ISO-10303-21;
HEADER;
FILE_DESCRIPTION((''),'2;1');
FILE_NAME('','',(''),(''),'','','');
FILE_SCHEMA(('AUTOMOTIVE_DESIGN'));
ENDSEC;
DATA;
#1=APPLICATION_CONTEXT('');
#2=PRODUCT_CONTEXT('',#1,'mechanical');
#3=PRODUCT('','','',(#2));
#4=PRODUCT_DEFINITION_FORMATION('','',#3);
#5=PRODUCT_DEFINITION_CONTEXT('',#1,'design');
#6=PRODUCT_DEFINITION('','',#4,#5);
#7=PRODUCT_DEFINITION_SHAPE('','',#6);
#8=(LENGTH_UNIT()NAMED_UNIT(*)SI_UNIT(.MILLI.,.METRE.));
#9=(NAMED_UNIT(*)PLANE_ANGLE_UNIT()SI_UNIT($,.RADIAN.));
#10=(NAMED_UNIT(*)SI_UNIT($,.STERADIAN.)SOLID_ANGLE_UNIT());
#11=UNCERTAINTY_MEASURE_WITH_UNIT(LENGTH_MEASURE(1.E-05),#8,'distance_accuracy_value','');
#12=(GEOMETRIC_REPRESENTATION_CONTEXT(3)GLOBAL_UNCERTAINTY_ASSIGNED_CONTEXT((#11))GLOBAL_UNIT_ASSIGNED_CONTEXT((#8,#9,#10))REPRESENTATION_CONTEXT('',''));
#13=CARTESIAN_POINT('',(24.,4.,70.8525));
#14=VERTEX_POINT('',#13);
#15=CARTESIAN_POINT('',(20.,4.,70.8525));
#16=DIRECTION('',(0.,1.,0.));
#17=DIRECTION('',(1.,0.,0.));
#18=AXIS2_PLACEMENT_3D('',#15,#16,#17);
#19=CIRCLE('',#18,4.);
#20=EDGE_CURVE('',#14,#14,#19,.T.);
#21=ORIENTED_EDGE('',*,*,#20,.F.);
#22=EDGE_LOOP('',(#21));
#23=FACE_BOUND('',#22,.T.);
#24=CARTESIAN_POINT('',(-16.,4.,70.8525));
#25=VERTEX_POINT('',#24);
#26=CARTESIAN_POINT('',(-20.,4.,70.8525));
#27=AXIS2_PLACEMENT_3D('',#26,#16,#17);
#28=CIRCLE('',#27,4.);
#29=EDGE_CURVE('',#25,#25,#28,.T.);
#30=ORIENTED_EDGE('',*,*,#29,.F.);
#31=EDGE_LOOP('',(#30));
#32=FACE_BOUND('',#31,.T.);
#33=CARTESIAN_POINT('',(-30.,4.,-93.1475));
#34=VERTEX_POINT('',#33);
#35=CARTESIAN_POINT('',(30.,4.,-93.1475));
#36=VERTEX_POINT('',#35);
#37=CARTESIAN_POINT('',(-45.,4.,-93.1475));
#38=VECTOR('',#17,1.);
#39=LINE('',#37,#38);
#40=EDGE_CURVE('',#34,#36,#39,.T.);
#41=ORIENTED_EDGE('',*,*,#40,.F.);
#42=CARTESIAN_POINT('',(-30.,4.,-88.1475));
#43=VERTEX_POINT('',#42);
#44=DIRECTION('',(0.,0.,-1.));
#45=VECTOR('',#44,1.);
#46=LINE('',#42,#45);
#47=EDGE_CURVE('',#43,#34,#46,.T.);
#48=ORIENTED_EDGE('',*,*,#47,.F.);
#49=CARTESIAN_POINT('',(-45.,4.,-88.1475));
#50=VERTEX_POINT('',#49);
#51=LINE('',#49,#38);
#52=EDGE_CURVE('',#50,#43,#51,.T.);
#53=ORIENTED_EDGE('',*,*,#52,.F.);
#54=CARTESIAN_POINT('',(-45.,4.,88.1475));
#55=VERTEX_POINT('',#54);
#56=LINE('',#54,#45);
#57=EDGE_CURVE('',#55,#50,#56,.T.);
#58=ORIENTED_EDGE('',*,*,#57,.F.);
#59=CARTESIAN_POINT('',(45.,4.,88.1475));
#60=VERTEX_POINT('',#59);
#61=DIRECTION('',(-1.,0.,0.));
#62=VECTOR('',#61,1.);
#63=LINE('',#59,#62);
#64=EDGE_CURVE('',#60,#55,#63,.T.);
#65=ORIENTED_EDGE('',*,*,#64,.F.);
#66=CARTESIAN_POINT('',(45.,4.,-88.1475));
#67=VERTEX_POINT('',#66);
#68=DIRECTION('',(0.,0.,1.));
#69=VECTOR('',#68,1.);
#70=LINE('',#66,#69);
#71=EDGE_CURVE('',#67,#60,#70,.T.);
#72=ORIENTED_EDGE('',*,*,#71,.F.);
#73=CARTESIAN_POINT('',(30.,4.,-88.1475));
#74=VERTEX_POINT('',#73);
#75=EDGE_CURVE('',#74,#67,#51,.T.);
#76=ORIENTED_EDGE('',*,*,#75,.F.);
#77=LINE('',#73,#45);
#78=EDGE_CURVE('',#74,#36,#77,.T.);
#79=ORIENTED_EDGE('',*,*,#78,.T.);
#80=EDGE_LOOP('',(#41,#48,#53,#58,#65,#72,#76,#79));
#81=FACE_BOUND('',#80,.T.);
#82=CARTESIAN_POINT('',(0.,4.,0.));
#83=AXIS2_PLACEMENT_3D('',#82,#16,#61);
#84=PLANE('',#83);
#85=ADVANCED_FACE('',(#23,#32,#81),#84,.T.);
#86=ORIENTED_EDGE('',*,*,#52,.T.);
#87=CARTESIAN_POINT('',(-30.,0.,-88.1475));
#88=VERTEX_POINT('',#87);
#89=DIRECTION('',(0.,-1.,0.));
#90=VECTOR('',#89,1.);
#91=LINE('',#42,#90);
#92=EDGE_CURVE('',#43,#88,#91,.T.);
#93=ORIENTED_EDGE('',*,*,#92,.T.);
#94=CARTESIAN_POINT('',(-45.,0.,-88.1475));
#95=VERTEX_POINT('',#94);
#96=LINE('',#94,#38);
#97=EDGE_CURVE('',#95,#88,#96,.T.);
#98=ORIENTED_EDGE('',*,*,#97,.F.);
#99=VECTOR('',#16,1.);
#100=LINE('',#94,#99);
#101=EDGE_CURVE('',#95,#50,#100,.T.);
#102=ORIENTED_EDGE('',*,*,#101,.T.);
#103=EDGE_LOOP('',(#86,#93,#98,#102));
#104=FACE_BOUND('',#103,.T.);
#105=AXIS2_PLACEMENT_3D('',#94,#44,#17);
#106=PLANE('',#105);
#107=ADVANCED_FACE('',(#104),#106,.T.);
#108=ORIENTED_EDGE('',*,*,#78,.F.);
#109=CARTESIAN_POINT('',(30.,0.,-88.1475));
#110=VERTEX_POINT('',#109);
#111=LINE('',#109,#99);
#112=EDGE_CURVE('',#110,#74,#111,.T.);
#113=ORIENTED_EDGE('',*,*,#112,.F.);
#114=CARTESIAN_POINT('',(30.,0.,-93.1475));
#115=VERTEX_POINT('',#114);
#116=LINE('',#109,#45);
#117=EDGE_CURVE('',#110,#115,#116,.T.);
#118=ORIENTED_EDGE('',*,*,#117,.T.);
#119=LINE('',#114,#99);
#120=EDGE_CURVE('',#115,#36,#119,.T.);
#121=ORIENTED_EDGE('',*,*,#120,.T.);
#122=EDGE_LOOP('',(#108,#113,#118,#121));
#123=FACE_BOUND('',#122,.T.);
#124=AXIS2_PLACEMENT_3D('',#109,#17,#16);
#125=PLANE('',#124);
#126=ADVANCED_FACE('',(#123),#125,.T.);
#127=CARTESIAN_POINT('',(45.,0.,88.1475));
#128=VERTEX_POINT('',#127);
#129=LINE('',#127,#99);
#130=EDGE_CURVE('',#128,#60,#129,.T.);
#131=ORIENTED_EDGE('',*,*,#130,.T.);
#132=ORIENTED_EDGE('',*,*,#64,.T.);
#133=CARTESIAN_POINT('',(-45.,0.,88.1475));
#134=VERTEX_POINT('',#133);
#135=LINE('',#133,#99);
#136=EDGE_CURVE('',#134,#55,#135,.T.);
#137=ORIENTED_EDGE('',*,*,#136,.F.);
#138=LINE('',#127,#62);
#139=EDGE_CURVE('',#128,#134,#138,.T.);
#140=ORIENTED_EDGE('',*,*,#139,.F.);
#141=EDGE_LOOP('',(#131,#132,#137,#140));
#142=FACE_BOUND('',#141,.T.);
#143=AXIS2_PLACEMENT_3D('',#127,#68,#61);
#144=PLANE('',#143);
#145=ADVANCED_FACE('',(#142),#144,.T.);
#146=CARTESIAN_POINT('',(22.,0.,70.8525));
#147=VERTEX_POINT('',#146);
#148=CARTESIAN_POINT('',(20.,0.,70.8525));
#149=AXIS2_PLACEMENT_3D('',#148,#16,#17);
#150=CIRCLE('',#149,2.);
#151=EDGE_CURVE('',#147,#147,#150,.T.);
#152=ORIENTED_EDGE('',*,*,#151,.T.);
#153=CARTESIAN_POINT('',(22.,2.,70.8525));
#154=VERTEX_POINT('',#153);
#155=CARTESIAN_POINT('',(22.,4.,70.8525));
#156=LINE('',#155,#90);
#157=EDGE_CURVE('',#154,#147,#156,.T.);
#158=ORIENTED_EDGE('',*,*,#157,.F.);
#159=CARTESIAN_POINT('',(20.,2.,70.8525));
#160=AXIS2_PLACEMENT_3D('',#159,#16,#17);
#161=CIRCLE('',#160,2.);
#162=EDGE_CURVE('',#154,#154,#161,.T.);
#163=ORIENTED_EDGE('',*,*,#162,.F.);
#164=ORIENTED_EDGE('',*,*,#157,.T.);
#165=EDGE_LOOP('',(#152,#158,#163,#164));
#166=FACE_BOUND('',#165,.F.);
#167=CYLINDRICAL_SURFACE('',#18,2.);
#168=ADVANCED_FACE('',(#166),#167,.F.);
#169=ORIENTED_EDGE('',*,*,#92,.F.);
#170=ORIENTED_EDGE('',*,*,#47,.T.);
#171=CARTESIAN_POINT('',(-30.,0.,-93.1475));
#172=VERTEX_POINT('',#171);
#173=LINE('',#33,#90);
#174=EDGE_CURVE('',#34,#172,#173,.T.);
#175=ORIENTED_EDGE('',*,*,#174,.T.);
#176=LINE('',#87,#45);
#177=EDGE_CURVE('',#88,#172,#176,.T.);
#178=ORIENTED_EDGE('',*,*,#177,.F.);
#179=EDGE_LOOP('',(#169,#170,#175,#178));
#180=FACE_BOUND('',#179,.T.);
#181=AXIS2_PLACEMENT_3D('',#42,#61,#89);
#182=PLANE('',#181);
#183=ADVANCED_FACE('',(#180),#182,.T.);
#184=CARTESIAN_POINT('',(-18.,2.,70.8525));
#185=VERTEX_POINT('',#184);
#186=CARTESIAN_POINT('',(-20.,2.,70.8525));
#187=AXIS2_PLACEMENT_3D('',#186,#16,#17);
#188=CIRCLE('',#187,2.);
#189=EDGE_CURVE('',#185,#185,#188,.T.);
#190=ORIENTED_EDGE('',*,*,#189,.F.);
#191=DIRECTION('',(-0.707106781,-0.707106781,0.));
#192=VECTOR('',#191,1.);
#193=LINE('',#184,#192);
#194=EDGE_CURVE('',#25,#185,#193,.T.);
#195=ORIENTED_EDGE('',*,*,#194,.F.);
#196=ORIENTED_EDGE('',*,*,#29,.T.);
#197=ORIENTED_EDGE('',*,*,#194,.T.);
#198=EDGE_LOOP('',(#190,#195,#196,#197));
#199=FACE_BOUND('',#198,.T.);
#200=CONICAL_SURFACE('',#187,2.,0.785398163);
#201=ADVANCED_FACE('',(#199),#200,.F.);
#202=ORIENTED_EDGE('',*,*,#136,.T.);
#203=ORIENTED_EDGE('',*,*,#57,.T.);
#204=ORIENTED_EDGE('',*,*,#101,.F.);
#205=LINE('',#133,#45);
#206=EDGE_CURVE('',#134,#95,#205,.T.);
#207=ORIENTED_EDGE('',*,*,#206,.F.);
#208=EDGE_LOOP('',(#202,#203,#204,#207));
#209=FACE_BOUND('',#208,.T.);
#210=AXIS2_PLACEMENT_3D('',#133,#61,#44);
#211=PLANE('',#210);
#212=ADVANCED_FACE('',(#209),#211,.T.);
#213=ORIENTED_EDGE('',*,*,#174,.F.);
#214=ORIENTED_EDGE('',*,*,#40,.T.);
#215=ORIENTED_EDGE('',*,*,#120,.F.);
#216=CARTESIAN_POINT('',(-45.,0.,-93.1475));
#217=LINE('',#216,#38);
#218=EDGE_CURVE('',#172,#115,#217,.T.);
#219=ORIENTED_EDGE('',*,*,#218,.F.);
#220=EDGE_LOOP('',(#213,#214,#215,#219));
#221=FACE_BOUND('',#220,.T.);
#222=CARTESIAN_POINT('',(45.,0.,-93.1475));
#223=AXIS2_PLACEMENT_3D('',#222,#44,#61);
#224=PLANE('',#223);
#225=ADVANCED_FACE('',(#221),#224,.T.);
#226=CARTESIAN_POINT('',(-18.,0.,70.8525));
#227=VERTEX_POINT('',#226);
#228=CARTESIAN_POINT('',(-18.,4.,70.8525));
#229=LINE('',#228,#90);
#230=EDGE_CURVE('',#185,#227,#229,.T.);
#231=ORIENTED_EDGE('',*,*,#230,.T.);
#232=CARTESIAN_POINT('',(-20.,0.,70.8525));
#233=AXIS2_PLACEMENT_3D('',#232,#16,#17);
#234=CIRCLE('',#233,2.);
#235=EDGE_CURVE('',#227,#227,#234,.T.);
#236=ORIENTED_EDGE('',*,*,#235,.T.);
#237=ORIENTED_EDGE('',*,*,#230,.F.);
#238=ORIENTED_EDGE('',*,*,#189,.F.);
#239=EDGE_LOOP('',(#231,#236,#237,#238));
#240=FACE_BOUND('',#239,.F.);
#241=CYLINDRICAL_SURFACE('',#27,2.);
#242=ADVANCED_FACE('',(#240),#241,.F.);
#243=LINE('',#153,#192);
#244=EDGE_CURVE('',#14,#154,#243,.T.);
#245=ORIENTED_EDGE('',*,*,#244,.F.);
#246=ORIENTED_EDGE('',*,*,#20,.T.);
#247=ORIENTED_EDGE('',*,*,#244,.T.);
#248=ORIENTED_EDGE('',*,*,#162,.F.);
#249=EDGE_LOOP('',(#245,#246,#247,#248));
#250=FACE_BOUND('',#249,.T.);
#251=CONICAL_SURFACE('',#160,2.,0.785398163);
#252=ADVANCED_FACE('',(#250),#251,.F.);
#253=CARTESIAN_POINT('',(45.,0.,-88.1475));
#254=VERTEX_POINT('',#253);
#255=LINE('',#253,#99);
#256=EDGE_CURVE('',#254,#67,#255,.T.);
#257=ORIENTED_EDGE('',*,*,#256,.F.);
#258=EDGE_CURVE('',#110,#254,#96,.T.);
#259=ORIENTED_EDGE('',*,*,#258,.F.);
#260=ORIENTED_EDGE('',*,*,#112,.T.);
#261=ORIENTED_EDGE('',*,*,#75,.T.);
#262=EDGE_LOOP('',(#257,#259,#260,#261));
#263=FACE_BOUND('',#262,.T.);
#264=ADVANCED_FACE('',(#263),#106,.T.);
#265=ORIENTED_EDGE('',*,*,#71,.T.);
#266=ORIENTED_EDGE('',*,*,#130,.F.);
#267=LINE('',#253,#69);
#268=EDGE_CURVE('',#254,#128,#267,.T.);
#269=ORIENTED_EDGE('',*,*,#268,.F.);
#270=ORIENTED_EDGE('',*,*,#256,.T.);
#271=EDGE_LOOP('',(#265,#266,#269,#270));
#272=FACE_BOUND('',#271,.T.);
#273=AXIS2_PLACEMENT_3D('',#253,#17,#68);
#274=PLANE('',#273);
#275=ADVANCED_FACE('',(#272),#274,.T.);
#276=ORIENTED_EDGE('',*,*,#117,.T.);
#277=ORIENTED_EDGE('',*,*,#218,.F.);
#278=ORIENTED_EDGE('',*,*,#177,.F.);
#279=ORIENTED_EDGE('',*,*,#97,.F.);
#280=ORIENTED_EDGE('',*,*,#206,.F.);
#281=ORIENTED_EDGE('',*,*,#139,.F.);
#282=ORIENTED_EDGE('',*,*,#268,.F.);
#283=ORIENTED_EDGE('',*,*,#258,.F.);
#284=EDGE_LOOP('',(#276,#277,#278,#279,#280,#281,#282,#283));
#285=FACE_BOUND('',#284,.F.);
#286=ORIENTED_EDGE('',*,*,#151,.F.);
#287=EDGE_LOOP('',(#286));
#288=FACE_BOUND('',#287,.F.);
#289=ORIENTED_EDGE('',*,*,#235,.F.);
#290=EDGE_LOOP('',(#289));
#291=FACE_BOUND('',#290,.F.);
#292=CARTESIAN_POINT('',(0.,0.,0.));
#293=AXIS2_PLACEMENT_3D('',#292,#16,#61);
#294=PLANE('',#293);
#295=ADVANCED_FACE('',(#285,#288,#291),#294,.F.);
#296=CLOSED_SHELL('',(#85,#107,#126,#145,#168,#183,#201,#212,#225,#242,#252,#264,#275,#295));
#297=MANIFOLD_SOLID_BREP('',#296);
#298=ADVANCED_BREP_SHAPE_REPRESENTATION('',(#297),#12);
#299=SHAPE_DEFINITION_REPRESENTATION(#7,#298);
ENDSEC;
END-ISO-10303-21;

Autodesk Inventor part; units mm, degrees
ref_plane "YZ Plane" through (0, 0, 0) normal (1, 0, 0) x (0, 1, 0)
ref_plane "XZ Plane" through (0, 0, 0) normal (0, 1, 0) x (-1, 0, 0)
ref_plane "XY Plane" through (0, 0, 0) normal (0, 0, 1) x (1, 0, 0)
sketch "Эскиз1" plane through (0, 0, 0) normal (0, 1, 0) x (-1, 0, 0)
  line L0 (-45, 88.1475) -> (45, 88.1475)
  line L1 (45, 88.1475) -> (45, -88.1475)
  line L2 (45, -88.1475) -> (-45, -88.1475)
  line L3 (-45, -88.1475) -> (-45, 88.1475)
  line L4 (-45, 88.1475) -> (45, -88.1475) construction
  line L5 (45, 88.1475) -> (-45, -88.1475) construction
  point P0 (0, 0)
  dimension "d0" = 90
  dimension "d1" = 176.295
extrude "Выдавливание1" add sketch "Эскиз1" along normal blind 4
sketch "Эскиз2" plane through (0, 4, 0) normal (0, 1, 0) x (1, 0, 0)
  circle A0 centre (-20, -70.8525) radius 2 projected
  circle A1 centre (20, -70.8525) radius 2 projected
  point P0 (0, 0)
extrude "Выдавливание2" cut sketch "Эскиз2" against normal through all
chamfer "Фаска1" distance 2 angle 45 2 edges at (-22, 4, 70.8525) (18, 4, 70.8525)
sketch "Эскиз3" plane through (45, 0, -88.1475) normal (0, 0, -1) x (-1, 0, 0)
  line L0 (90, 4) -> (0, 4) projected
  line L1 (90, 0) -> (0, 0) projected
  line L2 (15, 4) -> (75, 4)
  line L3 (75, 4) -> (75, 0)
  line L4 (75, 0) -> (15, 0)
  line L5 (15, 0) -> (15, 4)
  point P0 (45, 0)
  point P1 (45, 0)
  dimension "d9" = 60
  dimension "d10" = 30
extrude "Выдавливание3" add sketch "Эскиз3" along normal blind 5
equation "\"d10\" = 0.5 * d9"
properties part number "000.005.003 - Крышка"
